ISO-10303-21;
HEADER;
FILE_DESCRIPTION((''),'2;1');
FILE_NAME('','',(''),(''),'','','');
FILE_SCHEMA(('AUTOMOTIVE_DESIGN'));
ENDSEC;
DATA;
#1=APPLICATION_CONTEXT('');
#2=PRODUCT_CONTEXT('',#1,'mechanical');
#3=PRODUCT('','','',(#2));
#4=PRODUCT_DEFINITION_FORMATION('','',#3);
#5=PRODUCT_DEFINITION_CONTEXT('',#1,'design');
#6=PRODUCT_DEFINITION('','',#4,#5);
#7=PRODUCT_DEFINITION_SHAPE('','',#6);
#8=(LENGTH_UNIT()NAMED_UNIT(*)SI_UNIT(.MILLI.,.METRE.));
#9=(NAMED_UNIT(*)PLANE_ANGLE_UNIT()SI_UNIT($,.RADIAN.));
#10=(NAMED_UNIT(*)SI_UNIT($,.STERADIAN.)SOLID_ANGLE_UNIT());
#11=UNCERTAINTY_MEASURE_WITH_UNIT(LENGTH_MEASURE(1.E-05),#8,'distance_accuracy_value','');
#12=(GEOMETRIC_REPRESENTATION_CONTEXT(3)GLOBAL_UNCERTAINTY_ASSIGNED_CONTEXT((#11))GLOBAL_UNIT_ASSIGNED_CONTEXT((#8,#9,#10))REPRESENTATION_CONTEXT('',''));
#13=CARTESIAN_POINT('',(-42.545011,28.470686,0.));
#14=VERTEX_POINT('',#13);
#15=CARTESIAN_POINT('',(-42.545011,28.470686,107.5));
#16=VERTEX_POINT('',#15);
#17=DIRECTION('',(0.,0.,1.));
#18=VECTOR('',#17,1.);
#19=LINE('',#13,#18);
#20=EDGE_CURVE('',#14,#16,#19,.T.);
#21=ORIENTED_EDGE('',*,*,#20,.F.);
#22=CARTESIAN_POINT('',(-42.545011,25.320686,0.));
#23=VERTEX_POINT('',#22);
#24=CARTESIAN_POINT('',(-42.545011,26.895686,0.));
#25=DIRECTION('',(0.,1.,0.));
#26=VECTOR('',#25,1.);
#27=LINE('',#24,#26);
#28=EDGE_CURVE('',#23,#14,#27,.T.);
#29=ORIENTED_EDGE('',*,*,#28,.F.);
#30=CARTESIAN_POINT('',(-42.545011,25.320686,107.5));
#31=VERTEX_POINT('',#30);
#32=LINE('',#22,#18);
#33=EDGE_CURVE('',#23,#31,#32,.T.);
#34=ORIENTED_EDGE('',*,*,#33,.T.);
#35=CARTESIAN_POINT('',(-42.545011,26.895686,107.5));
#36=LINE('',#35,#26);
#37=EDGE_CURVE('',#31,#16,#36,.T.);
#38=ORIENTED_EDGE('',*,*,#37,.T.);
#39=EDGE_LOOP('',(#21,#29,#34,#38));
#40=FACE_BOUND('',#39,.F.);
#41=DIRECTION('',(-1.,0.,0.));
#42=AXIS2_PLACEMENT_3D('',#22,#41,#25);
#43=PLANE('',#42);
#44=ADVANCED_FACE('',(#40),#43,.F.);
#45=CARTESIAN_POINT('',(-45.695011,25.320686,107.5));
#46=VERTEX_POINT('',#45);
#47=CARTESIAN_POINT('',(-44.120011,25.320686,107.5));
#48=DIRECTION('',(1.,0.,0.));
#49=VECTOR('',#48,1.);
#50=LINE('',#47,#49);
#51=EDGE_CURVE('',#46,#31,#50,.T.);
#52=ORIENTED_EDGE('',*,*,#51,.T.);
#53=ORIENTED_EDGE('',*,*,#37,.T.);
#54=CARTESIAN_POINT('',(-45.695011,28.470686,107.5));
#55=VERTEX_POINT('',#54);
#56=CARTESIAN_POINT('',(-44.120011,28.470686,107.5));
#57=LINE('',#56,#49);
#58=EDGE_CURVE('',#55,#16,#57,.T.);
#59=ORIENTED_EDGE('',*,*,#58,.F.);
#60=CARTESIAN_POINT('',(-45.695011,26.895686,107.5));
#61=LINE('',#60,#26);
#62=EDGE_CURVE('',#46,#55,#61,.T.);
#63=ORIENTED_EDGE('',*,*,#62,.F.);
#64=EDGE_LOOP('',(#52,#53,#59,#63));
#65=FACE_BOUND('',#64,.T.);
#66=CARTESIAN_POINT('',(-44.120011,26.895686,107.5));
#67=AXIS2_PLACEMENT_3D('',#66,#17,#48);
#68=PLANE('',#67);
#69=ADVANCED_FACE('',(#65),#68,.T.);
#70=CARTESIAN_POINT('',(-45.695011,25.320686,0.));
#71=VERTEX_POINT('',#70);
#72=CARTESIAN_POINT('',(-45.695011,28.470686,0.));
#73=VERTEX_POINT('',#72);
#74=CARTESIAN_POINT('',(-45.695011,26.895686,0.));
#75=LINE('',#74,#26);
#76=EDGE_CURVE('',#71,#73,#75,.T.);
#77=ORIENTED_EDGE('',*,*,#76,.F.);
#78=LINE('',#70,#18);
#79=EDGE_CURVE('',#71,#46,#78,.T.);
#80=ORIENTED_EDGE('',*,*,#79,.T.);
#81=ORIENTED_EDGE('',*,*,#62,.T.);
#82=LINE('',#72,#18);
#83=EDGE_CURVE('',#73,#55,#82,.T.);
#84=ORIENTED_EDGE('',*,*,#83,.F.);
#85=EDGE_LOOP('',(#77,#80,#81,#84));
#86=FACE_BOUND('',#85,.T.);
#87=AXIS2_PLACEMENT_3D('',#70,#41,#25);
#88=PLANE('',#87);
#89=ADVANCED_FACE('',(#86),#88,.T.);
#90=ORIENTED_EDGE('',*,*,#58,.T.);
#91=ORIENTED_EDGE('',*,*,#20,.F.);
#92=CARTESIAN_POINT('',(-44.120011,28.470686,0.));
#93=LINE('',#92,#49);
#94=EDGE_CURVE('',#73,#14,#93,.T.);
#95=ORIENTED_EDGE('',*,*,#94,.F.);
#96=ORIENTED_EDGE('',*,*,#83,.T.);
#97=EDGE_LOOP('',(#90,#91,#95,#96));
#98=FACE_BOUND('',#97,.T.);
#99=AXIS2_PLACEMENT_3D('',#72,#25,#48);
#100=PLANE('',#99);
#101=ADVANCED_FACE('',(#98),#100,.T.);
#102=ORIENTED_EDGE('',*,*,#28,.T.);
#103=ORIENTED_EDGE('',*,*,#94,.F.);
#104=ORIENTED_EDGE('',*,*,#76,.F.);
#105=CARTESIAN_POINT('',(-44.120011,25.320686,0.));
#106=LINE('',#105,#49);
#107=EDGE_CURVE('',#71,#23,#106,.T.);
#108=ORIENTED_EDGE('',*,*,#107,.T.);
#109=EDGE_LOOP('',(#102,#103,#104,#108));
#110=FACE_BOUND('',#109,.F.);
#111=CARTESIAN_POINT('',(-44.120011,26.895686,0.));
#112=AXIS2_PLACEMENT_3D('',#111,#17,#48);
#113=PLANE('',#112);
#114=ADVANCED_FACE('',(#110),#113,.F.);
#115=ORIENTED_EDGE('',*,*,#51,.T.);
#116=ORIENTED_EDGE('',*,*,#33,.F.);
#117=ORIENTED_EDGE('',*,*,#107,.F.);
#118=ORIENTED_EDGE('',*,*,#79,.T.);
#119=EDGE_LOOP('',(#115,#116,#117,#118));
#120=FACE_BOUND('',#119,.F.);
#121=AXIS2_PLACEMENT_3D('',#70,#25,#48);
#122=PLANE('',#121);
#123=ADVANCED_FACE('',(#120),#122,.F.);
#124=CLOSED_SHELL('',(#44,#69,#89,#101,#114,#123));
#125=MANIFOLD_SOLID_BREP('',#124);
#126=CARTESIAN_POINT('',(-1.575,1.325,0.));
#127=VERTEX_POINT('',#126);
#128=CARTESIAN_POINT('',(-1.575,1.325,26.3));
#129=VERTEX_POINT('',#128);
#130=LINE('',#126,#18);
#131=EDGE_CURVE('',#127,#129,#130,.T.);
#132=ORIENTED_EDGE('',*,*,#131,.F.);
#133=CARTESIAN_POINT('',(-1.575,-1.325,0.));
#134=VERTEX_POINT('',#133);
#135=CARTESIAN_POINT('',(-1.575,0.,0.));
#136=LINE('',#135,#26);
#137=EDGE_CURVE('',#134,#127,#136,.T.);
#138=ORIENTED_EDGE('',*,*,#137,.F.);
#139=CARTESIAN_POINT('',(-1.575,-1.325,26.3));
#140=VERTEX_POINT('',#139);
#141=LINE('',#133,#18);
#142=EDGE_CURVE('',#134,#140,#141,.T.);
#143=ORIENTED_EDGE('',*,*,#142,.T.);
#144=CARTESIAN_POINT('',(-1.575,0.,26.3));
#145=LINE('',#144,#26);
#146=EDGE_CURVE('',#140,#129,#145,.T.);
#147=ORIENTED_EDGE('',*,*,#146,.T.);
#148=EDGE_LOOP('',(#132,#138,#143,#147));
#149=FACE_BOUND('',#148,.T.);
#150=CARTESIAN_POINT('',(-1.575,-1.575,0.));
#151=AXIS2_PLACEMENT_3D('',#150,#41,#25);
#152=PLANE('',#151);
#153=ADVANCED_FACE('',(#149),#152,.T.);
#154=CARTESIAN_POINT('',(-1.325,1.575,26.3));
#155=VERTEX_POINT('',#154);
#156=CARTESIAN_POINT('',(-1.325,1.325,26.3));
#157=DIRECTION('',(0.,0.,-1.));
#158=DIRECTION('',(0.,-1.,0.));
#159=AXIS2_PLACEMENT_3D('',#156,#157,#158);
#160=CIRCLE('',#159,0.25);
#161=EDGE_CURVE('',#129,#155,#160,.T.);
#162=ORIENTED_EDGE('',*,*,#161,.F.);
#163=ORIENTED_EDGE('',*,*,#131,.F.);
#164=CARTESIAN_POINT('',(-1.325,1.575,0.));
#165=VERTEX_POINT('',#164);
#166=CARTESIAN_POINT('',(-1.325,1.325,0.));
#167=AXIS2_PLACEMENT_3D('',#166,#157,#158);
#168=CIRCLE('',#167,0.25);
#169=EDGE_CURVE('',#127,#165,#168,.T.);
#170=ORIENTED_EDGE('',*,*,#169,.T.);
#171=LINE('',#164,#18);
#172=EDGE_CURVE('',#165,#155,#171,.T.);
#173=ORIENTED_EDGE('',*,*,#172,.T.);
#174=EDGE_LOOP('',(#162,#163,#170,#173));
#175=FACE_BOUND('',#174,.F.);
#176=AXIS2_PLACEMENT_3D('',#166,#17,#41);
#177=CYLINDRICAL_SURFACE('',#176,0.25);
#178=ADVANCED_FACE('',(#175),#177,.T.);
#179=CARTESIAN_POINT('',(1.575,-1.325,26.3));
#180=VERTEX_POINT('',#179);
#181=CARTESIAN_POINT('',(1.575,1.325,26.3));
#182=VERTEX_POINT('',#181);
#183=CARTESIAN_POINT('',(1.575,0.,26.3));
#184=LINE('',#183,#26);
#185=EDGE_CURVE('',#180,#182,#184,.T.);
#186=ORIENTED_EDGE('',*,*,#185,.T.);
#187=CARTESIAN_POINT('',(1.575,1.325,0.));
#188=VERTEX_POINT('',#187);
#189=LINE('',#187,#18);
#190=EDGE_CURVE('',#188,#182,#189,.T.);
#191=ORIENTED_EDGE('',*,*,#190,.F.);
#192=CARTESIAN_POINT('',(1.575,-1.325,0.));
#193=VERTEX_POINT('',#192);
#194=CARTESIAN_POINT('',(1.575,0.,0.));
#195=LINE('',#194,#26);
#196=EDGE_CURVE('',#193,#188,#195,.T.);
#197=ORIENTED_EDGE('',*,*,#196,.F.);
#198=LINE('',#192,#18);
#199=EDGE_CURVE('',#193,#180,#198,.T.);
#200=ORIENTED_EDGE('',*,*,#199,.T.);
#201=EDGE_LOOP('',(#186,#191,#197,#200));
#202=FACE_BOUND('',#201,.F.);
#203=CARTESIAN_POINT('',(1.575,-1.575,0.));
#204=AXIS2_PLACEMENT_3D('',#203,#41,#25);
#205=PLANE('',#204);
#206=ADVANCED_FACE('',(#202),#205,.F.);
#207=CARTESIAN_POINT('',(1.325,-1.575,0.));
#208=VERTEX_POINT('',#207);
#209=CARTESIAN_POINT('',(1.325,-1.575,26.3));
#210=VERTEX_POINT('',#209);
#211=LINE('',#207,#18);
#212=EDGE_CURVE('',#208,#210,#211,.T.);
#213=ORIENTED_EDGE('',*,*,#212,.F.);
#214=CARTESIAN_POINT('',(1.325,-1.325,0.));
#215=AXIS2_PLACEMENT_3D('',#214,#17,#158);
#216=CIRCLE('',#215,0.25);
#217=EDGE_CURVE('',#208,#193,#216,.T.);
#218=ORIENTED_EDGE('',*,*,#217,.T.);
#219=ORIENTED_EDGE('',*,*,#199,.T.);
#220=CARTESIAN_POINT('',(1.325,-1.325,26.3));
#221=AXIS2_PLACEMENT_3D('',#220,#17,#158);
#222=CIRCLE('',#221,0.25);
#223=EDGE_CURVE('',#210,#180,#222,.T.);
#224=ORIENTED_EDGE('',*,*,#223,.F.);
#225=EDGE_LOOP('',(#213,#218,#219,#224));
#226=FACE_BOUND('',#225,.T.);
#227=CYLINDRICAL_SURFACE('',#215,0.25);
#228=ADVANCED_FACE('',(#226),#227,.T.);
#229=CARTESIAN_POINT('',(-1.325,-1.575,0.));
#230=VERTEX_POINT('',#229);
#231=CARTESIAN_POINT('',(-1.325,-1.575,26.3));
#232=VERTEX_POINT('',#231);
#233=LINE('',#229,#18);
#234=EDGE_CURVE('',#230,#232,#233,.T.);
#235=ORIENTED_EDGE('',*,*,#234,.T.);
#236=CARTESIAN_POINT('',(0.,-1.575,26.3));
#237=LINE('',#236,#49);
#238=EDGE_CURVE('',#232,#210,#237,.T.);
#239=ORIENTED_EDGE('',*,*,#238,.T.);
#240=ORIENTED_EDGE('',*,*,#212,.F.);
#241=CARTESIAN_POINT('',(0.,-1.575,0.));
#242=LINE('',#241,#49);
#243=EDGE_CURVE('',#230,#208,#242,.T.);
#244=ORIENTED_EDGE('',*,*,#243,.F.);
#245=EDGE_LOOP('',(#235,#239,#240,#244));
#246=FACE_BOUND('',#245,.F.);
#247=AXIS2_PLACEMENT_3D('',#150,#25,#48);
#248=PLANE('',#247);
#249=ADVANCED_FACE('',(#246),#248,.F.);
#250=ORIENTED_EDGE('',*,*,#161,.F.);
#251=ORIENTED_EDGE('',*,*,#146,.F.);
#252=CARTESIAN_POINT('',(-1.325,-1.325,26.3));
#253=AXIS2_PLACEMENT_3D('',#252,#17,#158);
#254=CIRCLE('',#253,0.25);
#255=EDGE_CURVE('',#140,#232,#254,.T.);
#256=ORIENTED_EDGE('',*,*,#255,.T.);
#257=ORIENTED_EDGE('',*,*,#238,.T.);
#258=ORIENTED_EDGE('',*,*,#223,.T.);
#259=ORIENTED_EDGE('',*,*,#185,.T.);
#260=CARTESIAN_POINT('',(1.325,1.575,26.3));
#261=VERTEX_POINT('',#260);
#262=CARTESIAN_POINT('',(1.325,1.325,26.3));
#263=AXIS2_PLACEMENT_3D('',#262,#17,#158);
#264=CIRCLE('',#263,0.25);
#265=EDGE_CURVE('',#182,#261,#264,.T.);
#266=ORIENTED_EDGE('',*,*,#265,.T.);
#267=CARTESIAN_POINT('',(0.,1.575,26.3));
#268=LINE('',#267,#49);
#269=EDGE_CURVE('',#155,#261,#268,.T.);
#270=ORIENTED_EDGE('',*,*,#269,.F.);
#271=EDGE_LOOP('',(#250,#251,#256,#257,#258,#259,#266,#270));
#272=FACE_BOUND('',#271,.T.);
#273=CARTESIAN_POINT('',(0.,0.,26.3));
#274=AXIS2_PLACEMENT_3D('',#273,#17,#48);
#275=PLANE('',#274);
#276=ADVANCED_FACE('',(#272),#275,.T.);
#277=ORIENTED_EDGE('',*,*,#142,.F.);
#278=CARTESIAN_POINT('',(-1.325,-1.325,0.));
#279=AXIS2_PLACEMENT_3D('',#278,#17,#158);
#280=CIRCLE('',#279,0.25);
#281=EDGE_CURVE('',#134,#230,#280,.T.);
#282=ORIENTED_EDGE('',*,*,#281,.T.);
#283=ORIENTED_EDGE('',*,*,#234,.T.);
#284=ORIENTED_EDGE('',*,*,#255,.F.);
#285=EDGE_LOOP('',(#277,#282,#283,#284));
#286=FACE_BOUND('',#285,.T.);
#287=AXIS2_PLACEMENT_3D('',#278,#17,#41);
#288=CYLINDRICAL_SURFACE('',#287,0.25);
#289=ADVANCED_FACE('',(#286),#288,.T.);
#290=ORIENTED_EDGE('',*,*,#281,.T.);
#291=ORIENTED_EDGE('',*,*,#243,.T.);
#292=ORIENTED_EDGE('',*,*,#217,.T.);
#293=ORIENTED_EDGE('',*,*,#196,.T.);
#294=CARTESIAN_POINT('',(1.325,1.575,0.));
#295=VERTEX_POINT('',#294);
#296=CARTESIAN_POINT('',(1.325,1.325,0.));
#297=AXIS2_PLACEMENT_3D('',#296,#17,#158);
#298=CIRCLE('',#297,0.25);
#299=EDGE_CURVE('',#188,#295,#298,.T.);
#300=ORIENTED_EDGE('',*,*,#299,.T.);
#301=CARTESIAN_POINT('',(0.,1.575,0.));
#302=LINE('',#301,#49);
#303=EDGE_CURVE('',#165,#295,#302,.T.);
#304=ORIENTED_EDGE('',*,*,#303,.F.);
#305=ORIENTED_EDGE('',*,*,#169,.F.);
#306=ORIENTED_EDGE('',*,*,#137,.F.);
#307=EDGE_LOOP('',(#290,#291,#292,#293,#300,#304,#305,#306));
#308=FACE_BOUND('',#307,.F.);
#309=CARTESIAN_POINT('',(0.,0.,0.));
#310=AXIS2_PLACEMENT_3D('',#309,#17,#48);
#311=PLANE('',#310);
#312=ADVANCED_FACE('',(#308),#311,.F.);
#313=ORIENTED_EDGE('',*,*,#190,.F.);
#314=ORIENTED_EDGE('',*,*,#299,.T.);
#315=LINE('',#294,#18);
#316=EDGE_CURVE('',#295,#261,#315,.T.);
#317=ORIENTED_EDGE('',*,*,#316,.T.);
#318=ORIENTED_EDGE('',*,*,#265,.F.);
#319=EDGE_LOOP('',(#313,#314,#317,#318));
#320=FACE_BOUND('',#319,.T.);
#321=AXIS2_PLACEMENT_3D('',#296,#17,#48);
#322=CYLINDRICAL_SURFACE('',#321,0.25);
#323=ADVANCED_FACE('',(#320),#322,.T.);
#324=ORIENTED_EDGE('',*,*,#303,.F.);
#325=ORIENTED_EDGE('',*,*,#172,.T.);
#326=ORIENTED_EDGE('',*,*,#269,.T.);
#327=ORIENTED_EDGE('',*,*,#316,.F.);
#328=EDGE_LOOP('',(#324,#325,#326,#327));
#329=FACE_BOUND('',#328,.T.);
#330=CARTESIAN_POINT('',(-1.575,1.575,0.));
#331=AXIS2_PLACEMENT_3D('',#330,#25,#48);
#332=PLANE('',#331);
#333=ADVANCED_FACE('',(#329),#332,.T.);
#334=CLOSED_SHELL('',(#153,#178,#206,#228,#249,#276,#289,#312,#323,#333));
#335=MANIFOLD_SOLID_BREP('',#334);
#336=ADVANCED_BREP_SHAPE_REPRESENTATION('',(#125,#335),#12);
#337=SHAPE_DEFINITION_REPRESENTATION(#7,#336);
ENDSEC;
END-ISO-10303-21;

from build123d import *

# Parameters (mm, degrees)
F0_W     = 3.15
F0_H     = 3.15
F1_DEPTH = 26.3
F2_R     = 0.25
F3_DEPTH = 107.5


with BuildPart() as f1:
    # F0 (on Top) → F1 (new body)
    with BuildSketch(Plane.XY):
        Rectangle(F0_W, F0_H)
    extrude(amount=F1_DEPTH)

    # F2
    f2_edges = [f1.edges().sort_by_distance(p)[0] for p in [
        (-1.575, -1.575, 13.15),
        (1.575, -1.575, 13.15),
        (1.575, 1.575, 13.15),
        (-1.575, 1.575, 13.15),
    ]]
    fillet(f2_edges, radius=F2_R)


with BuildPart() as f3:
    # F0 (on Top) → F3 (new body)
    with BuildSketch(Plane.XY):
        with Locations((-44.120011, 26.895686)):
            Rectangle(F0_W, F0_H)
    extrude(amount=F3_DEPTH)


solid = Compound([f1.part, f3.part])
